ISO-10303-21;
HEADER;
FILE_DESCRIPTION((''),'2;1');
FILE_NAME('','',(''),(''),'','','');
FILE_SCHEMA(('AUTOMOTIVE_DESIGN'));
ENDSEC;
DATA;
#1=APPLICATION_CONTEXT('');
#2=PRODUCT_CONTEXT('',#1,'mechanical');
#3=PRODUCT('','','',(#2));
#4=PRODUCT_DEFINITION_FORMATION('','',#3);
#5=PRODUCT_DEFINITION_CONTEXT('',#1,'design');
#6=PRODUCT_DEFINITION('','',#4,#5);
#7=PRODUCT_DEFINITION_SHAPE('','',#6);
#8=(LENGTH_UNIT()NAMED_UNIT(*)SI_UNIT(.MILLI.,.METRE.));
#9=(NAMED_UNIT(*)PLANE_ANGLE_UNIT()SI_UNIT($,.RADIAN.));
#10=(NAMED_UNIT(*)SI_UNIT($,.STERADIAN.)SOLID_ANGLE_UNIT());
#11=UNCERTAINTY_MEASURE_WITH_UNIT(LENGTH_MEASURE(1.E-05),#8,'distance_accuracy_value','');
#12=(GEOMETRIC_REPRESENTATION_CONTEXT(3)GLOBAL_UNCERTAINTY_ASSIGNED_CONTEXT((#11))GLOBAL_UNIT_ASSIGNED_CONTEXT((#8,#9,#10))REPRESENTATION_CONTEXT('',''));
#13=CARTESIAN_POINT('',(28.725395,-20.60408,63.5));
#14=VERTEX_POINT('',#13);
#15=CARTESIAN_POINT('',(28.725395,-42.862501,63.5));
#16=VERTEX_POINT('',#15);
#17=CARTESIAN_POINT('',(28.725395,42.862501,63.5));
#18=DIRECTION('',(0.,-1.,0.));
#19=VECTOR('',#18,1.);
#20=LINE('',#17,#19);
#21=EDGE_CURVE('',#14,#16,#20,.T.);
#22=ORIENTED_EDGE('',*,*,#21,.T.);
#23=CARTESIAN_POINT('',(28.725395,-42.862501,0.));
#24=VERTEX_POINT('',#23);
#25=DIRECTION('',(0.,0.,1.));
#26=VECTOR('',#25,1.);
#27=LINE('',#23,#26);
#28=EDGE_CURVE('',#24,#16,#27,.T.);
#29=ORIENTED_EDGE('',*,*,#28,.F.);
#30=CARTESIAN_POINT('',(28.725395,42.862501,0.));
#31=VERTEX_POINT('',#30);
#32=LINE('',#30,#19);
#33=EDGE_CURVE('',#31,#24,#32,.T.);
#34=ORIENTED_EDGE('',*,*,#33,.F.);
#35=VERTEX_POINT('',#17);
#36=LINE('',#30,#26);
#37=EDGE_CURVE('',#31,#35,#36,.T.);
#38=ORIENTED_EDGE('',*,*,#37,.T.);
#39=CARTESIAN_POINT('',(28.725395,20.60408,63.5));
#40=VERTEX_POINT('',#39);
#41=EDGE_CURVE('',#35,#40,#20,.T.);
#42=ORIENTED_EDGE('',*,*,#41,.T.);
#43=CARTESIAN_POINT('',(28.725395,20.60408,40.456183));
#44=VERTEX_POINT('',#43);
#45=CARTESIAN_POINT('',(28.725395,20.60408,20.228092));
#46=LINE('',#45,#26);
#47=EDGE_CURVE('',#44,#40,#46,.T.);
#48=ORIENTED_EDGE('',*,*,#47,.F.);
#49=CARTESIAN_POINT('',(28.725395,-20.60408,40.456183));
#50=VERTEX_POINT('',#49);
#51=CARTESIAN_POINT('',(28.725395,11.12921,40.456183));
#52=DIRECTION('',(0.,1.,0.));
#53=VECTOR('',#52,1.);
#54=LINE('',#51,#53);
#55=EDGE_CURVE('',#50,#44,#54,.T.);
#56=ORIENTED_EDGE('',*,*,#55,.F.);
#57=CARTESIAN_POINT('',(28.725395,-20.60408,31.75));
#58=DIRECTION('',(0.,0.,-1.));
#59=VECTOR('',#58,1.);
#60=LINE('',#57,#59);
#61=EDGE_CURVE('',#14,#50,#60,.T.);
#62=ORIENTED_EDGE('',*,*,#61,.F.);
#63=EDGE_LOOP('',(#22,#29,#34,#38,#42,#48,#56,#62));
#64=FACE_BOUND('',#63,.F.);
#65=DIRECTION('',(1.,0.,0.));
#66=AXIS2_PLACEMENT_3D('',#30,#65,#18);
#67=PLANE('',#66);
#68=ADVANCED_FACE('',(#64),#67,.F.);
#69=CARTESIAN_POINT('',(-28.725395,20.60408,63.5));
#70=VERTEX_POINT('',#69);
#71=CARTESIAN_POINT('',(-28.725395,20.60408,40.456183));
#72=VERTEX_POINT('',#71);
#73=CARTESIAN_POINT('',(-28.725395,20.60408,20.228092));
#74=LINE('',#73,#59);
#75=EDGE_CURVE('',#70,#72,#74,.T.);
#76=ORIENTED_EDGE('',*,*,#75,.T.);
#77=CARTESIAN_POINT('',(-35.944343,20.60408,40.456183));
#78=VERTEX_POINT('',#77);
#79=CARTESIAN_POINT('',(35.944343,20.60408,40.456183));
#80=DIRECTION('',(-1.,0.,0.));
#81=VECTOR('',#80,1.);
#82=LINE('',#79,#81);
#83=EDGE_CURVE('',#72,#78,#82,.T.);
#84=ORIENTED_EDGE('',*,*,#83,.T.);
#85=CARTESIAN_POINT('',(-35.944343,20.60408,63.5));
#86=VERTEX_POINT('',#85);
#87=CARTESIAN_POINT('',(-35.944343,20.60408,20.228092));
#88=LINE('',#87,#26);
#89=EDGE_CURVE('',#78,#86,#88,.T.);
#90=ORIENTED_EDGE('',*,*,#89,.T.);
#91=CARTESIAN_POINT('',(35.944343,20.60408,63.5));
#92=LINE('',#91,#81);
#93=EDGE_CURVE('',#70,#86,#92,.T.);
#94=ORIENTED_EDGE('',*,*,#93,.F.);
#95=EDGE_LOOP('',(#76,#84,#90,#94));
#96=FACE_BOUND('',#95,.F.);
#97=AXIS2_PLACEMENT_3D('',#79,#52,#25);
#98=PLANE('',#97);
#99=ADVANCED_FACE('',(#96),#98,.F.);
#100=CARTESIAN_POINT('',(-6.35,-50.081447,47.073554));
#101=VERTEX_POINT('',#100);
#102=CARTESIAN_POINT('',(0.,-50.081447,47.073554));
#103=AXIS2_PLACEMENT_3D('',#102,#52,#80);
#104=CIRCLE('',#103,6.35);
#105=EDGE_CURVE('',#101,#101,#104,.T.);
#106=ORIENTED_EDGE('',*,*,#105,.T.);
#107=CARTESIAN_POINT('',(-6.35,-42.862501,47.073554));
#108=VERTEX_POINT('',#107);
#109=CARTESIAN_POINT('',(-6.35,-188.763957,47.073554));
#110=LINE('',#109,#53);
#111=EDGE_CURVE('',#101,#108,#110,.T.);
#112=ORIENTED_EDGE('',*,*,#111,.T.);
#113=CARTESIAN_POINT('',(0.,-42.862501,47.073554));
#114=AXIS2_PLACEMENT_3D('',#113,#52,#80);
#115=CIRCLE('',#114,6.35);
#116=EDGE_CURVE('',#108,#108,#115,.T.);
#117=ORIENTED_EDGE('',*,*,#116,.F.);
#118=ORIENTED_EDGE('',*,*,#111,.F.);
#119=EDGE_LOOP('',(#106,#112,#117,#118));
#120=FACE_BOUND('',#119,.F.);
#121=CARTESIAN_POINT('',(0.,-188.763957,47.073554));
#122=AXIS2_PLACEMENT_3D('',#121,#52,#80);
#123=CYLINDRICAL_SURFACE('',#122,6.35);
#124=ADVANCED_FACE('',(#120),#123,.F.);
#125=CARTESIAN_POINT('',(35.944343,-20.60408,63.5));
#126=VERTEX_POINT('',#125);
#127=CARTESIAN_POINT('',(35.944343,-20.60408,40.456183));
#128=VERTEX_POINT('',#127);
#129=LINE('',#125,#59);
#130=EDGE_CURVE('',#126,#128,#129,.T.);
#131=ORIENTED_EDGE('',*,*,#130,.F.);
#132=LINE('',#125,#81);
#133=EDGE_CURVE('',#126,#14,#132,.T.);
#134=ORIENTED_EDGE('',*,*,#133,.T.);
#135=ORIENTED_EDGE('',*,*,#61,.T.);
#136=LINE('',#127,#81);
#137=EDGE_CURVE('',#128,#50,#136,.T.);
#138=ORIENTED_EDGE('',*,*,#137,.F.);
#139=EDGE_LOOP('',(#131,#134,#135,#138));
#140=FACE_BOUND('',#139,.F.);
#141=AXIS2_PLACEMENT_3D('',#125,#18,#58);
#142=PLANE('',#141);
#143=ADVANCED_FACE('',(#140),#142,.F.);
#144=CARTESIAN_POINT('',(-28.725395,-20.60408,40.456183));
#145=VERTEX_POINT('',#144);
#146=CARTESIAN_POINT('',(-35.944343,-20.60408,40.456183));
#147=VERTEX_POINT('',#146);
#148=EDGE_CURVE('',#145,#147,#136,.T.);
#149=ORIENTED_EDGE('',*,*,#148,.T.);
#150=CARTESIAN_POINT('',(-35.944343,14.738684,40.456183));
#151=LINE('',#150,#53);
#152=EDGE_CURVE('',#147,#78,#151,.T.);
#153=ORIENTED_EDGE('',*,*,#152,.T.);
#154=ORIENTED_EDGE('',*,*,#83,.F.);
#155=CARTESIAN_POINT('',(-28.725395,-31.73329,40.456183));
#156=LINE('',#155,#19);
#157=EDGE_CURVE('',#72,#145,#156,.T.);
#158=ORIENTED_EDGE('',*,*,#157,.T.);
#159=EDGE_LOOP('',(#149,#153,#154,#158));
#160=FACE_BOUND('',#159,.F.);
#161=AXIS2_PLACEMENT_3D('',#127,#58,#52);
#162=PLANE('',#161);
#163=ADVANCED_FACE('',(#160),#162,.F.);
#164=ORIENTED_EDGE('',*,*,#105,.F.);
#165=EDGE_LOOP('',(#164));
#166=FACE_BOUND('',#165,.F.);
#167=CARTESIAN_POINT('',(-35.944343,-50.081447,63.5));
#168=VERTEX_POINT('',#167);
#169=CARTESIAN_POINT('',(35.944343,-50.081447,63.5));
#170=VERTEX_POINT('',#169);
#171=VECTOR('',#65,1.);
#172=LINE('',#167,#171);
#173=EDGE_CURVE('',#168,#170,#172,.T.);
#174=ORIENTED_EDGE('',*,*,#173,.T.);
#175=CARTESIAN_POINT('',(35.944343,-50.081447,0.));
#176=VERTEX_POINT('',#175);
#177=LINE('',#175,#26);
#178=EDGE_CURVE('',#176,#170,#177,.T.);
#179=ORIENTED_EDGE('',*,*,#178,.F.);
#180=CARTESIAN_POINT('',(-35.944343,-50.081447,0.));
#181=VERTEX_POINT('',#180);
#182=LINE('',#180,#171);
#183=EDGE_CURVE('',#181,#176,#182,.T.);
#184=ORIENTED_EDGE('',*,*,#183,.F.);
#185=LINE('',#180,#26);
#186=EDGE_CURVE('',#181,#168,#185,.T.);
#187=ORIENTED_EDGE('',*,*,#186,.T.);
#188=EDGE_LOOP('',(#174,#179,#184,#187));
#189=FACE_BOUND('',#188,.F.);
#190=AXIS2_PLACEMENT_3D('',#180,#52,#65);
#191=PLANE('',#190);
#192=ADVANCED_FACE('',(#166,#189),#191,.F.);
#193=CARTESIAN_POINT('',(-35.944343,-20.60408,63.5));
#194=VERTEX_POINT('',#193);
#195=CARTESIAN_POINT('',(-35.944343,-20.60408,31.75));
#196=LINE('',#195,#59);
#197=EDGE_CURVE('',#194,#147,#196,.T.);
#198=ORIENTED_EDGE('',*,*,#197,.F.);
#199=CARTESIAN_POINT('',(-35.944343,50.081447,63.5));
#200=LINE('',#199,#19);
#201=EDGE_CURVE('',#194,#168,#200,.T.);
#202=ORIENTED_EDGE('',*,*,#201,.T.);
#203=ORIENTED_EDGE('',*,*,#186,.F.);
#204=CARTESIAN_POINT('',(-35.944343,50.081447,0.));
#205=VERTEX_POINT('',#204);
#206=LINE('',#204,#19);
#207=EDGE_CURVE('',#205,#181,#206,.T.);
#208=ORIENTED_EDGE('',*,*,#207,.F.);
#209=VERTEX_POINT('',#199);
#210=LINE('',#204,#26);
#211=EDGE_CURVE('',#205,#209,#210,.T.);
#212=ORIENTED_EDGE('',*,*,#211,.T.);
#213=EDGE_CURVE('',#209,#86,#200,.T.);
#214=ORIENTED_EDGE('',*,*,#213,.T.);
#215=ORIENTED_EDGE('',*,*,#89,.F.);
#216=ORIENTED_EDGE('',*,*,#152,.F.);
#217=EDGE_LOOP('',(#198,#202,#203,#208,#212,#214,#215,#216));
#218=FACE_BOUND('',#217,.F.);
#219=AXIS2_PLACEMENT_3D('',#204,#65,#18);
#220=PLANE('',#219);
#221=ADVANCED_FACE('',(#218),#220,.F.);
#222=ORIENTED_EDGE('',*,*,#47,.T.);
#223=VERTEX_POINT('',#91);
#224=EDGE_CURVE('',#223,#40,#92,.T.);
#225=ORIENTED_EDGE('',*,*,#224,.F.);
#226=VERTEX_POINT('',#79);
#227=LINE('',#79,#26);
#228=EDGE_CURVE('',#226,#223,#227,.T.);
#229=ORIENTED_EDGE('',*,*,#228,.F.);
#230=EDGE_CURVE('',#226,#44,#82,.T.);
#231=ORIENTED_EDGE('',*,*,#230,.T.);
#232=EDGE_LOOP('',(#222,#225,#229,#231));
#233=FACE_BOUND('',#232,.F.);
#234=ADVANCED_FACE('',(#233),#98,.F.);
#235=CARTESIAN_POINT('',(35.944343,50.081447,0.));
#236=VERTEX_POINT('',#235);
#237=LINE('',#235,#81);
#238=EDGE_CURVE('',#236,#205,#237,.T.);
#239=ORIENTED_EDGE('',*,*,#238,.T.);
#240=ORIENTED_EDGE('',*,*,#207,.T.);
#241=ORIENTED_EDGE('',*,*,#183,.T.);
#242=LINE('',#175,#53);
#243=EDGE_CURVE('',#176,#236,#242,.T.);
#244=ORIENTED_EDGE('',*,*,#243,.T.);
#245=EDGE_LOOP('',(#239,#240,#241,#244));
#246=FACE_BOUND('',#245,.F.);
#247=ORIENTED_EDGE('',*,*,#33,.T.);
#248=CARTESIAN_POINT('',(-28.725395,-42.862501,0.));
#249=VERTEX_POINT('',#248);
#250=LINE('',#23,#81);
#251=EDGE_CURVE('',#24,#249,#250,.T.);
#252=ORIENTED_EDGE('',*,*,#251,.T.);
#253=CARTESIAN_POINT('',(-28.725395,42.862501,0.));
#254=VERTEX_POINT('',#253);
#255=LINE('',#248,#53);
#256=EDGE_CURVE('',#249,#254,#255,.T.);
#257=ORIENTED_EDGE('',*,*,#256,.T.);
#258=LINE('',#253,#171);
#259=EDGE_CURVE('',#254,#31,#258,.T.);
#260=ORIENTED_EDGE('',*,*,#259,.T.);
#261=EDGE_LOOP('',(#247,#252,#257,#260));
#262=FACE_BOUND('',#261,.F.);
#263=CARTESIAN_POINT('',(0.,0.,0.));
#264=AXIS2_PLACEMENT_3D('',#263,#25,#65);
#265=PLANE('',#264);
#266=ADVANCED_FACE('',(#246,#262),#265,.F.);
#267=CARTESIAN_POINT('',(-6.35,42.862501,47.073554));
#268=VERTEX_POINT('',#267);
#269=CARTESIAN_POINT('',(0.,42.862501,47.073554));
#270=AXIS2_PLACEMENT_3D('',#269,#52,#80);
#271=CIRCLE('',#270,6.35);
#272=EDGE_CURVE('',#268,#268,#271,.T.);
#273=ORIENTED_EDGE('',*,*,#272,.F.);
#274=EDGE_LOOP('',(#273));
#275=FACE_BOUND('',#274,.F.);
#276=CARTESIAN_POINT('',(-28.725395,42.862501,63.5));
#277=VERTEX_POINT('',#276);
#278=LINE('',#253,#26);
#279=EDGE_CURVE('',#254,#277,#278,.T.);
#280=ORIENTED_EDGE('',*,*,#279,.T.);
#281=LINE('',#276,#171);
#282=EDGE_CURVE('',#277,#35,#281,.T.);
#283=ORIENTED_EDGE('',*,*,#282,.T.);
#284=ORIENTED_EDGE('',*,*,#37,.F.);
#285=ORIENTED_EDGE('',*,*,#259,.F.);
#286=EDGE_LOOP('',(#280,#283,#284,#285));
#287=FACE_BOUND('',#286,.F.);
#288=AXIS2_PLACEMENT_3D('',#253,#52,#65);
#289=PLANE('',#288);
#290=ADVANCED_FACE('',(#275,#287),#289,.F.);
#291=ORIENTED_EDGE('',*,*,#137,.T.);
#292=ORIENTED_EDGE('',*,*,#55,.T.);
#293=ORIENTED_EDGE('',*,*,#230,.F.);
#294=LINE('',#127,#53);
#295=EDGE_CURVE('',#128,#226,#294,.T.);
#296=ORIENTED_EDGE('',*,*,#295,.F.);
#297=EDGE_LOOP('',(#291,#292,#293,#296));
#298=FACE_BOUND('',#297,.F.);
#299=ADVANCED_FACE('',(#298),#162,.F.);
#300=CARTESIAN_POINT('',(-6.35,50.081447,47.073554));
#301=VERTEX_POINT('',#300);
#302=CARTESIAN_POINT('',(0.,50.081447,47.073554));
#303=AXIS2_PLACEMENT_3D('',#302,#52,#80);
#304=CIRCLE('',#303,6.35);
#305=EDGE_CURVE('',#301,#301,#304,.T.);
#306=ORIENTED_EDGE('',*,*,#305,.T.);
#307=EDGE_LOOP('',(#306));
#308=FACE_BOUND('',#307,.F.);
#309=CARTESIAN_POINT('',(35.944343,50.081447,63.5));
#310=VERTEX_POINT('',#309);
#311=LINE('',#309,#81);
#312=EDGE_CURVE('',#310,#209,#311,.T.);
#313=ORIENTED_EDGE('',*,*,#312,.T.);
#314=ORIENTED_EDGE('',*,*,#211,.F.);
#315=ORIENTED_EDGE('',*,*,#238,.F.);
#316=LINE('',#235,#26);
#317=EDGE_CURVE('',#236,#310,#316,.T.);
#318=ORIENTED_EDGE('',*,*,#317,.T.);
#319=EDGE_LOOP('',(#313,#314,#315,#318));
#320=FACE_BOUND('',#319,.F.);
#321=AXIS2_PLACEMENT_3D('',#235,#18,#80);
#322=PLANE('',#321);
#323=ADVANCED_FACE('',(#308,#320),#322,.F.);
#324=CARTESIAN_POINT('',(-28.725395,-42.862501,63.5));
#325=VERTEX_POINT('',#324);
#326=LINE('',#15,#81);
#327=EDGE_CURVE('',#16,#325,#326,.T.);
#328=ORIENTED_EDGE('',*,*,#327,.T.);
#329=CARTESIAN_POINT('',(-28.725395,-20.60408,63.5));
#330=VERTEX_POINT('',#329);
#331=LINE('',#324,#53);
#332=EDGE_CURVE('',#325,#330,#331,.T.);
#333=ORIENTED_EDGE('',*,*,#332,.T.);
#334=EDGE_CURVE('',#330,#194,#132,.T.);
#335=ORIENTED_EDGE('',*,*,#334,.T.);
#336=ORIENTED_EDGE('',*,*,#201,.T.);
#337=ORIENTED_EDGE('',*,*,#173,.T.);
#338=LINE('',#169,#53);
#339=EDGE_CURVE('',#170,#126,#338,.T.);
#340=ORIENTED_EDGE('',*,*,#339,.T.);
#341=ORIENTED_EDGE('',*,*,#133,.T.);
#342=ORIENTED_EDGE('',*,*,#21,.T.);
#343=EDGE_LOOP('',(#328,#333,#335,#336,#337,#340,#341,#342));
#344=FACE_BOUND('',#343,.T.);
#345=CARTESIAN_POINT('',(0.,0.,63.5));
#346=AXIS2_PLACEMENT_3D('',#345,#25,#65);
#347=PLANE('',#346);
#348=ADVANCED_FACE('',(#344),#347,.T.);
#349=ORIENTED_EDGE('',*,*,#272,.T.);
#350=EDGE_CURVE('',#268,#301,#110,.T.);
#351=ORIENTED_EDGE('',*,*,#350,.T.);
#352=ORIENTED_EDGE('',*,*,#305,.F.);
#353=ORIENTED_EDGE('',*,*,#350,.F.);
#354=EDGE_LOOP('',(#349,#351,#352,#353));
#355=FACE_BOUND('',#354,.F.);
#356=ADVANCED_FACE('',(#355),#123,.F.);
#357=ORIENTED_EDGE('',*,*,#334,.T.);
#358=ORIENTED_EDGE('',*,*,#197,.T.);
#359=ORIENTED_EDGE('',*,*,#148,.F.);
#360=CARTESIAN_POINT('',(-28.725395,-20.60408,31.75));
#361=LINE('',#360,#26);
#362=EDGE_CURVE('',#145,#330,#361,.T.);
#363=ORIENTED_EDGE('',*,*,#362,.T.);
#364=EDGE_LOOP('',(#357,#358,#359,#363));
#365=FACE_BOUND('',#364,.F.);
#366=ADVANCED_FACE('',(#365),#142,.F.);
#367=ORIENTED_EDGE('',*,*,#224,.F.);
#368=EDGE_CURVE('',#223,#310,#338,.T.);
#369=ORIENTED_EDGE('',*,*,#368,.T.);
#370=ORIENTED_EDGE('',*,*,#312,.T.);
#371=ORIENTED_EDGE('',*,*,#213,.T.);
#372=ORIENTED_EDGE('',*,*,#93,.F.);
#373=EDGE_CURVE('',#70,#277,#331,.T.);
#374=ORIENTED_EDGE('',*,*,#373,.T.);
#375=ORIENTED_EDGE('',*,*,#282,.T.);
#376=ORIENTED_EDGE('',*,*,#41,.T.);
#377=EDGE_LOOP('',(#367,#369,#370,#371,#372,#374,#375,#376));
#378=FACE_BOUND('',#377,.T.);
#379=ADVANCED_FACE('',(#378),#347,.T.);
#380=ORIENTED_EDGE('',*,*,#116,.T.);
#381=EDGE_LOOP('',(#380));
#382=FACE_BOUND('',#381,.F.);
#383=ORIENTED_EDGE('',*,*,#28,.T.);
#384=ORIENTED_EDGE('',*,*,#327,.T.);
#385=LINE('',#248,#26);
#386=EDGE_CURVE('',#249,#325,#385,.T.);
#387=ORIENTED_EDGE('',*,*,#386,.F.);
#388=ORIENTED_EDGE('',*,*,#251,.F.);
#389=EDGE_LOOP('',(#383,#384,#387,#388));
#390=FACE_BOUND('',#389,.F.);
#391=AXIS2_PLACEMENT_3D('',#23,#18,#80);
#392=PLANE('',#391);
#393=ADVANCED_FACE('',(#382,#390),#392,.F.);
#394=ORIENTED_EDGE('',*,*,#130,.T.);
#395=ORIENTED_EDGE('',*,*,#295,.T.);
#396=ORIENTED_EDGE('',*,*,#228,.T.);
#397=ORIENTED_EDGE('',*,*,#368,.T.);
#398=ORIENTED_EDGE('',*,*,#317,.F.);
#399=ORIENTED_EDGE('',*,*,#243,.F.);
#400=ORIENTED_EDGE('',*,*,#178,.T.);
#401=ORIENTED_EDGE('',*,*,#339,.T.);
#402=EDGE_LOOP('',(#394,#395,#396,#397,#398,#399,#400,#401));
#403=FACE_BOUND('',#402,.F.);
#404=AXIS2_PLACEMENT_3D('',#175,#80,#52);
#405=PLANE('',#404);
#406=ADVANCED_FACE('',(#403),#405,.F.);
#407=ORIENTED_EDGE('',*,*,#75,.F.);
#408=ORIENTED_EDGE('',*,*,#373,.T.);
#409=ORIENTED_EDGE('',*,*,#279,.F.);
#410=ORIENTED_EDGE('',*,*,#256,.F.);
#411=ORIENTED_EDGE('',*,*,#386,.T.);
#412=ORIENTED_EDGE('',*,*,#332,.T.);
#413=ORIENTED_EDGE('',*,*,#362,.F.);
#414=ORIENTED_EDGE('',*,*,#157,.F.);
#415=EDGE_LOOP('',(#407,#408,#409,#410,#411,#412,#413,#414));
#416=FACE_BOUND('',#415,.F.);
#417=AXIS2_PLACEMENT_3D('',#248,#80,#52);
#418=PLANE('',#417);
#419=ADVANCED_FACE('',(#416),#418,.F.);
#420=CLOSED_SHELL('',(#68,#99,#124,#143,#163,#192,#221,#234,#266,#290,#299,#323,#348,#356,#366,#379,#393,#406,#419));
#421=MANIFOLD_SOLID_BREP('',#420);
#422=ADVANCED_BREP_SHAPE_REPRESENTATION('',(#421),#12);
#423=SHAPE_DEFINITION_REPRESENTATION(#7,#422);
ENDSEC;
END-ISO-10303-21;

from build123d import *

# Parameters (mm, degrees)
F1_DEPTH = 63.5
F3_DEPTH = 127
F5_D     = 12.7


with BuildPart() as f1:
    # F0 (on Top) → F1 (new body)
    with BuildSketch(Plane.XY):
        Polygon((-35.944343, 50.081447), (-35.944343, 0), (-35.944343, -50.081447), (0, -50.081447), (35.944343, -50.081447), (35.944343, 0), (35.944343, 50.081447), (0, 50.081447), align=None)
        Polygon((-28.725395, -42.862501), (-28.725395, 0), (-28.725395, 42.862501), (0, 42.862501), (28.725395, 42.862501), (28.725395, 0), (28.725395, -42.862501), (0, -42.862501), align=None, mode=Mode.SUBTRACT)
    extrude(amount=F1_DEPTH)

    # F2 (on face) → F3 (cut)
    with BuildSketch(Plane.YZ.offset(35.944343)):
        Polygon((20.60408, 63.5), (-20.60408, 63.5), (-20.60408, 40.456183), (0, 40.456183), (20.60408, 40.456183), align=None)
    extrude(amount=-F3_DEPTH, mode=Mode.SUBTRACT)

    # F5 (through all)
    with Locations(Plane.XZ.offset(50.081447)):
        with Locations((0, 47.073554)):
            Hole(F5_D / 2)


solid = f1.part
